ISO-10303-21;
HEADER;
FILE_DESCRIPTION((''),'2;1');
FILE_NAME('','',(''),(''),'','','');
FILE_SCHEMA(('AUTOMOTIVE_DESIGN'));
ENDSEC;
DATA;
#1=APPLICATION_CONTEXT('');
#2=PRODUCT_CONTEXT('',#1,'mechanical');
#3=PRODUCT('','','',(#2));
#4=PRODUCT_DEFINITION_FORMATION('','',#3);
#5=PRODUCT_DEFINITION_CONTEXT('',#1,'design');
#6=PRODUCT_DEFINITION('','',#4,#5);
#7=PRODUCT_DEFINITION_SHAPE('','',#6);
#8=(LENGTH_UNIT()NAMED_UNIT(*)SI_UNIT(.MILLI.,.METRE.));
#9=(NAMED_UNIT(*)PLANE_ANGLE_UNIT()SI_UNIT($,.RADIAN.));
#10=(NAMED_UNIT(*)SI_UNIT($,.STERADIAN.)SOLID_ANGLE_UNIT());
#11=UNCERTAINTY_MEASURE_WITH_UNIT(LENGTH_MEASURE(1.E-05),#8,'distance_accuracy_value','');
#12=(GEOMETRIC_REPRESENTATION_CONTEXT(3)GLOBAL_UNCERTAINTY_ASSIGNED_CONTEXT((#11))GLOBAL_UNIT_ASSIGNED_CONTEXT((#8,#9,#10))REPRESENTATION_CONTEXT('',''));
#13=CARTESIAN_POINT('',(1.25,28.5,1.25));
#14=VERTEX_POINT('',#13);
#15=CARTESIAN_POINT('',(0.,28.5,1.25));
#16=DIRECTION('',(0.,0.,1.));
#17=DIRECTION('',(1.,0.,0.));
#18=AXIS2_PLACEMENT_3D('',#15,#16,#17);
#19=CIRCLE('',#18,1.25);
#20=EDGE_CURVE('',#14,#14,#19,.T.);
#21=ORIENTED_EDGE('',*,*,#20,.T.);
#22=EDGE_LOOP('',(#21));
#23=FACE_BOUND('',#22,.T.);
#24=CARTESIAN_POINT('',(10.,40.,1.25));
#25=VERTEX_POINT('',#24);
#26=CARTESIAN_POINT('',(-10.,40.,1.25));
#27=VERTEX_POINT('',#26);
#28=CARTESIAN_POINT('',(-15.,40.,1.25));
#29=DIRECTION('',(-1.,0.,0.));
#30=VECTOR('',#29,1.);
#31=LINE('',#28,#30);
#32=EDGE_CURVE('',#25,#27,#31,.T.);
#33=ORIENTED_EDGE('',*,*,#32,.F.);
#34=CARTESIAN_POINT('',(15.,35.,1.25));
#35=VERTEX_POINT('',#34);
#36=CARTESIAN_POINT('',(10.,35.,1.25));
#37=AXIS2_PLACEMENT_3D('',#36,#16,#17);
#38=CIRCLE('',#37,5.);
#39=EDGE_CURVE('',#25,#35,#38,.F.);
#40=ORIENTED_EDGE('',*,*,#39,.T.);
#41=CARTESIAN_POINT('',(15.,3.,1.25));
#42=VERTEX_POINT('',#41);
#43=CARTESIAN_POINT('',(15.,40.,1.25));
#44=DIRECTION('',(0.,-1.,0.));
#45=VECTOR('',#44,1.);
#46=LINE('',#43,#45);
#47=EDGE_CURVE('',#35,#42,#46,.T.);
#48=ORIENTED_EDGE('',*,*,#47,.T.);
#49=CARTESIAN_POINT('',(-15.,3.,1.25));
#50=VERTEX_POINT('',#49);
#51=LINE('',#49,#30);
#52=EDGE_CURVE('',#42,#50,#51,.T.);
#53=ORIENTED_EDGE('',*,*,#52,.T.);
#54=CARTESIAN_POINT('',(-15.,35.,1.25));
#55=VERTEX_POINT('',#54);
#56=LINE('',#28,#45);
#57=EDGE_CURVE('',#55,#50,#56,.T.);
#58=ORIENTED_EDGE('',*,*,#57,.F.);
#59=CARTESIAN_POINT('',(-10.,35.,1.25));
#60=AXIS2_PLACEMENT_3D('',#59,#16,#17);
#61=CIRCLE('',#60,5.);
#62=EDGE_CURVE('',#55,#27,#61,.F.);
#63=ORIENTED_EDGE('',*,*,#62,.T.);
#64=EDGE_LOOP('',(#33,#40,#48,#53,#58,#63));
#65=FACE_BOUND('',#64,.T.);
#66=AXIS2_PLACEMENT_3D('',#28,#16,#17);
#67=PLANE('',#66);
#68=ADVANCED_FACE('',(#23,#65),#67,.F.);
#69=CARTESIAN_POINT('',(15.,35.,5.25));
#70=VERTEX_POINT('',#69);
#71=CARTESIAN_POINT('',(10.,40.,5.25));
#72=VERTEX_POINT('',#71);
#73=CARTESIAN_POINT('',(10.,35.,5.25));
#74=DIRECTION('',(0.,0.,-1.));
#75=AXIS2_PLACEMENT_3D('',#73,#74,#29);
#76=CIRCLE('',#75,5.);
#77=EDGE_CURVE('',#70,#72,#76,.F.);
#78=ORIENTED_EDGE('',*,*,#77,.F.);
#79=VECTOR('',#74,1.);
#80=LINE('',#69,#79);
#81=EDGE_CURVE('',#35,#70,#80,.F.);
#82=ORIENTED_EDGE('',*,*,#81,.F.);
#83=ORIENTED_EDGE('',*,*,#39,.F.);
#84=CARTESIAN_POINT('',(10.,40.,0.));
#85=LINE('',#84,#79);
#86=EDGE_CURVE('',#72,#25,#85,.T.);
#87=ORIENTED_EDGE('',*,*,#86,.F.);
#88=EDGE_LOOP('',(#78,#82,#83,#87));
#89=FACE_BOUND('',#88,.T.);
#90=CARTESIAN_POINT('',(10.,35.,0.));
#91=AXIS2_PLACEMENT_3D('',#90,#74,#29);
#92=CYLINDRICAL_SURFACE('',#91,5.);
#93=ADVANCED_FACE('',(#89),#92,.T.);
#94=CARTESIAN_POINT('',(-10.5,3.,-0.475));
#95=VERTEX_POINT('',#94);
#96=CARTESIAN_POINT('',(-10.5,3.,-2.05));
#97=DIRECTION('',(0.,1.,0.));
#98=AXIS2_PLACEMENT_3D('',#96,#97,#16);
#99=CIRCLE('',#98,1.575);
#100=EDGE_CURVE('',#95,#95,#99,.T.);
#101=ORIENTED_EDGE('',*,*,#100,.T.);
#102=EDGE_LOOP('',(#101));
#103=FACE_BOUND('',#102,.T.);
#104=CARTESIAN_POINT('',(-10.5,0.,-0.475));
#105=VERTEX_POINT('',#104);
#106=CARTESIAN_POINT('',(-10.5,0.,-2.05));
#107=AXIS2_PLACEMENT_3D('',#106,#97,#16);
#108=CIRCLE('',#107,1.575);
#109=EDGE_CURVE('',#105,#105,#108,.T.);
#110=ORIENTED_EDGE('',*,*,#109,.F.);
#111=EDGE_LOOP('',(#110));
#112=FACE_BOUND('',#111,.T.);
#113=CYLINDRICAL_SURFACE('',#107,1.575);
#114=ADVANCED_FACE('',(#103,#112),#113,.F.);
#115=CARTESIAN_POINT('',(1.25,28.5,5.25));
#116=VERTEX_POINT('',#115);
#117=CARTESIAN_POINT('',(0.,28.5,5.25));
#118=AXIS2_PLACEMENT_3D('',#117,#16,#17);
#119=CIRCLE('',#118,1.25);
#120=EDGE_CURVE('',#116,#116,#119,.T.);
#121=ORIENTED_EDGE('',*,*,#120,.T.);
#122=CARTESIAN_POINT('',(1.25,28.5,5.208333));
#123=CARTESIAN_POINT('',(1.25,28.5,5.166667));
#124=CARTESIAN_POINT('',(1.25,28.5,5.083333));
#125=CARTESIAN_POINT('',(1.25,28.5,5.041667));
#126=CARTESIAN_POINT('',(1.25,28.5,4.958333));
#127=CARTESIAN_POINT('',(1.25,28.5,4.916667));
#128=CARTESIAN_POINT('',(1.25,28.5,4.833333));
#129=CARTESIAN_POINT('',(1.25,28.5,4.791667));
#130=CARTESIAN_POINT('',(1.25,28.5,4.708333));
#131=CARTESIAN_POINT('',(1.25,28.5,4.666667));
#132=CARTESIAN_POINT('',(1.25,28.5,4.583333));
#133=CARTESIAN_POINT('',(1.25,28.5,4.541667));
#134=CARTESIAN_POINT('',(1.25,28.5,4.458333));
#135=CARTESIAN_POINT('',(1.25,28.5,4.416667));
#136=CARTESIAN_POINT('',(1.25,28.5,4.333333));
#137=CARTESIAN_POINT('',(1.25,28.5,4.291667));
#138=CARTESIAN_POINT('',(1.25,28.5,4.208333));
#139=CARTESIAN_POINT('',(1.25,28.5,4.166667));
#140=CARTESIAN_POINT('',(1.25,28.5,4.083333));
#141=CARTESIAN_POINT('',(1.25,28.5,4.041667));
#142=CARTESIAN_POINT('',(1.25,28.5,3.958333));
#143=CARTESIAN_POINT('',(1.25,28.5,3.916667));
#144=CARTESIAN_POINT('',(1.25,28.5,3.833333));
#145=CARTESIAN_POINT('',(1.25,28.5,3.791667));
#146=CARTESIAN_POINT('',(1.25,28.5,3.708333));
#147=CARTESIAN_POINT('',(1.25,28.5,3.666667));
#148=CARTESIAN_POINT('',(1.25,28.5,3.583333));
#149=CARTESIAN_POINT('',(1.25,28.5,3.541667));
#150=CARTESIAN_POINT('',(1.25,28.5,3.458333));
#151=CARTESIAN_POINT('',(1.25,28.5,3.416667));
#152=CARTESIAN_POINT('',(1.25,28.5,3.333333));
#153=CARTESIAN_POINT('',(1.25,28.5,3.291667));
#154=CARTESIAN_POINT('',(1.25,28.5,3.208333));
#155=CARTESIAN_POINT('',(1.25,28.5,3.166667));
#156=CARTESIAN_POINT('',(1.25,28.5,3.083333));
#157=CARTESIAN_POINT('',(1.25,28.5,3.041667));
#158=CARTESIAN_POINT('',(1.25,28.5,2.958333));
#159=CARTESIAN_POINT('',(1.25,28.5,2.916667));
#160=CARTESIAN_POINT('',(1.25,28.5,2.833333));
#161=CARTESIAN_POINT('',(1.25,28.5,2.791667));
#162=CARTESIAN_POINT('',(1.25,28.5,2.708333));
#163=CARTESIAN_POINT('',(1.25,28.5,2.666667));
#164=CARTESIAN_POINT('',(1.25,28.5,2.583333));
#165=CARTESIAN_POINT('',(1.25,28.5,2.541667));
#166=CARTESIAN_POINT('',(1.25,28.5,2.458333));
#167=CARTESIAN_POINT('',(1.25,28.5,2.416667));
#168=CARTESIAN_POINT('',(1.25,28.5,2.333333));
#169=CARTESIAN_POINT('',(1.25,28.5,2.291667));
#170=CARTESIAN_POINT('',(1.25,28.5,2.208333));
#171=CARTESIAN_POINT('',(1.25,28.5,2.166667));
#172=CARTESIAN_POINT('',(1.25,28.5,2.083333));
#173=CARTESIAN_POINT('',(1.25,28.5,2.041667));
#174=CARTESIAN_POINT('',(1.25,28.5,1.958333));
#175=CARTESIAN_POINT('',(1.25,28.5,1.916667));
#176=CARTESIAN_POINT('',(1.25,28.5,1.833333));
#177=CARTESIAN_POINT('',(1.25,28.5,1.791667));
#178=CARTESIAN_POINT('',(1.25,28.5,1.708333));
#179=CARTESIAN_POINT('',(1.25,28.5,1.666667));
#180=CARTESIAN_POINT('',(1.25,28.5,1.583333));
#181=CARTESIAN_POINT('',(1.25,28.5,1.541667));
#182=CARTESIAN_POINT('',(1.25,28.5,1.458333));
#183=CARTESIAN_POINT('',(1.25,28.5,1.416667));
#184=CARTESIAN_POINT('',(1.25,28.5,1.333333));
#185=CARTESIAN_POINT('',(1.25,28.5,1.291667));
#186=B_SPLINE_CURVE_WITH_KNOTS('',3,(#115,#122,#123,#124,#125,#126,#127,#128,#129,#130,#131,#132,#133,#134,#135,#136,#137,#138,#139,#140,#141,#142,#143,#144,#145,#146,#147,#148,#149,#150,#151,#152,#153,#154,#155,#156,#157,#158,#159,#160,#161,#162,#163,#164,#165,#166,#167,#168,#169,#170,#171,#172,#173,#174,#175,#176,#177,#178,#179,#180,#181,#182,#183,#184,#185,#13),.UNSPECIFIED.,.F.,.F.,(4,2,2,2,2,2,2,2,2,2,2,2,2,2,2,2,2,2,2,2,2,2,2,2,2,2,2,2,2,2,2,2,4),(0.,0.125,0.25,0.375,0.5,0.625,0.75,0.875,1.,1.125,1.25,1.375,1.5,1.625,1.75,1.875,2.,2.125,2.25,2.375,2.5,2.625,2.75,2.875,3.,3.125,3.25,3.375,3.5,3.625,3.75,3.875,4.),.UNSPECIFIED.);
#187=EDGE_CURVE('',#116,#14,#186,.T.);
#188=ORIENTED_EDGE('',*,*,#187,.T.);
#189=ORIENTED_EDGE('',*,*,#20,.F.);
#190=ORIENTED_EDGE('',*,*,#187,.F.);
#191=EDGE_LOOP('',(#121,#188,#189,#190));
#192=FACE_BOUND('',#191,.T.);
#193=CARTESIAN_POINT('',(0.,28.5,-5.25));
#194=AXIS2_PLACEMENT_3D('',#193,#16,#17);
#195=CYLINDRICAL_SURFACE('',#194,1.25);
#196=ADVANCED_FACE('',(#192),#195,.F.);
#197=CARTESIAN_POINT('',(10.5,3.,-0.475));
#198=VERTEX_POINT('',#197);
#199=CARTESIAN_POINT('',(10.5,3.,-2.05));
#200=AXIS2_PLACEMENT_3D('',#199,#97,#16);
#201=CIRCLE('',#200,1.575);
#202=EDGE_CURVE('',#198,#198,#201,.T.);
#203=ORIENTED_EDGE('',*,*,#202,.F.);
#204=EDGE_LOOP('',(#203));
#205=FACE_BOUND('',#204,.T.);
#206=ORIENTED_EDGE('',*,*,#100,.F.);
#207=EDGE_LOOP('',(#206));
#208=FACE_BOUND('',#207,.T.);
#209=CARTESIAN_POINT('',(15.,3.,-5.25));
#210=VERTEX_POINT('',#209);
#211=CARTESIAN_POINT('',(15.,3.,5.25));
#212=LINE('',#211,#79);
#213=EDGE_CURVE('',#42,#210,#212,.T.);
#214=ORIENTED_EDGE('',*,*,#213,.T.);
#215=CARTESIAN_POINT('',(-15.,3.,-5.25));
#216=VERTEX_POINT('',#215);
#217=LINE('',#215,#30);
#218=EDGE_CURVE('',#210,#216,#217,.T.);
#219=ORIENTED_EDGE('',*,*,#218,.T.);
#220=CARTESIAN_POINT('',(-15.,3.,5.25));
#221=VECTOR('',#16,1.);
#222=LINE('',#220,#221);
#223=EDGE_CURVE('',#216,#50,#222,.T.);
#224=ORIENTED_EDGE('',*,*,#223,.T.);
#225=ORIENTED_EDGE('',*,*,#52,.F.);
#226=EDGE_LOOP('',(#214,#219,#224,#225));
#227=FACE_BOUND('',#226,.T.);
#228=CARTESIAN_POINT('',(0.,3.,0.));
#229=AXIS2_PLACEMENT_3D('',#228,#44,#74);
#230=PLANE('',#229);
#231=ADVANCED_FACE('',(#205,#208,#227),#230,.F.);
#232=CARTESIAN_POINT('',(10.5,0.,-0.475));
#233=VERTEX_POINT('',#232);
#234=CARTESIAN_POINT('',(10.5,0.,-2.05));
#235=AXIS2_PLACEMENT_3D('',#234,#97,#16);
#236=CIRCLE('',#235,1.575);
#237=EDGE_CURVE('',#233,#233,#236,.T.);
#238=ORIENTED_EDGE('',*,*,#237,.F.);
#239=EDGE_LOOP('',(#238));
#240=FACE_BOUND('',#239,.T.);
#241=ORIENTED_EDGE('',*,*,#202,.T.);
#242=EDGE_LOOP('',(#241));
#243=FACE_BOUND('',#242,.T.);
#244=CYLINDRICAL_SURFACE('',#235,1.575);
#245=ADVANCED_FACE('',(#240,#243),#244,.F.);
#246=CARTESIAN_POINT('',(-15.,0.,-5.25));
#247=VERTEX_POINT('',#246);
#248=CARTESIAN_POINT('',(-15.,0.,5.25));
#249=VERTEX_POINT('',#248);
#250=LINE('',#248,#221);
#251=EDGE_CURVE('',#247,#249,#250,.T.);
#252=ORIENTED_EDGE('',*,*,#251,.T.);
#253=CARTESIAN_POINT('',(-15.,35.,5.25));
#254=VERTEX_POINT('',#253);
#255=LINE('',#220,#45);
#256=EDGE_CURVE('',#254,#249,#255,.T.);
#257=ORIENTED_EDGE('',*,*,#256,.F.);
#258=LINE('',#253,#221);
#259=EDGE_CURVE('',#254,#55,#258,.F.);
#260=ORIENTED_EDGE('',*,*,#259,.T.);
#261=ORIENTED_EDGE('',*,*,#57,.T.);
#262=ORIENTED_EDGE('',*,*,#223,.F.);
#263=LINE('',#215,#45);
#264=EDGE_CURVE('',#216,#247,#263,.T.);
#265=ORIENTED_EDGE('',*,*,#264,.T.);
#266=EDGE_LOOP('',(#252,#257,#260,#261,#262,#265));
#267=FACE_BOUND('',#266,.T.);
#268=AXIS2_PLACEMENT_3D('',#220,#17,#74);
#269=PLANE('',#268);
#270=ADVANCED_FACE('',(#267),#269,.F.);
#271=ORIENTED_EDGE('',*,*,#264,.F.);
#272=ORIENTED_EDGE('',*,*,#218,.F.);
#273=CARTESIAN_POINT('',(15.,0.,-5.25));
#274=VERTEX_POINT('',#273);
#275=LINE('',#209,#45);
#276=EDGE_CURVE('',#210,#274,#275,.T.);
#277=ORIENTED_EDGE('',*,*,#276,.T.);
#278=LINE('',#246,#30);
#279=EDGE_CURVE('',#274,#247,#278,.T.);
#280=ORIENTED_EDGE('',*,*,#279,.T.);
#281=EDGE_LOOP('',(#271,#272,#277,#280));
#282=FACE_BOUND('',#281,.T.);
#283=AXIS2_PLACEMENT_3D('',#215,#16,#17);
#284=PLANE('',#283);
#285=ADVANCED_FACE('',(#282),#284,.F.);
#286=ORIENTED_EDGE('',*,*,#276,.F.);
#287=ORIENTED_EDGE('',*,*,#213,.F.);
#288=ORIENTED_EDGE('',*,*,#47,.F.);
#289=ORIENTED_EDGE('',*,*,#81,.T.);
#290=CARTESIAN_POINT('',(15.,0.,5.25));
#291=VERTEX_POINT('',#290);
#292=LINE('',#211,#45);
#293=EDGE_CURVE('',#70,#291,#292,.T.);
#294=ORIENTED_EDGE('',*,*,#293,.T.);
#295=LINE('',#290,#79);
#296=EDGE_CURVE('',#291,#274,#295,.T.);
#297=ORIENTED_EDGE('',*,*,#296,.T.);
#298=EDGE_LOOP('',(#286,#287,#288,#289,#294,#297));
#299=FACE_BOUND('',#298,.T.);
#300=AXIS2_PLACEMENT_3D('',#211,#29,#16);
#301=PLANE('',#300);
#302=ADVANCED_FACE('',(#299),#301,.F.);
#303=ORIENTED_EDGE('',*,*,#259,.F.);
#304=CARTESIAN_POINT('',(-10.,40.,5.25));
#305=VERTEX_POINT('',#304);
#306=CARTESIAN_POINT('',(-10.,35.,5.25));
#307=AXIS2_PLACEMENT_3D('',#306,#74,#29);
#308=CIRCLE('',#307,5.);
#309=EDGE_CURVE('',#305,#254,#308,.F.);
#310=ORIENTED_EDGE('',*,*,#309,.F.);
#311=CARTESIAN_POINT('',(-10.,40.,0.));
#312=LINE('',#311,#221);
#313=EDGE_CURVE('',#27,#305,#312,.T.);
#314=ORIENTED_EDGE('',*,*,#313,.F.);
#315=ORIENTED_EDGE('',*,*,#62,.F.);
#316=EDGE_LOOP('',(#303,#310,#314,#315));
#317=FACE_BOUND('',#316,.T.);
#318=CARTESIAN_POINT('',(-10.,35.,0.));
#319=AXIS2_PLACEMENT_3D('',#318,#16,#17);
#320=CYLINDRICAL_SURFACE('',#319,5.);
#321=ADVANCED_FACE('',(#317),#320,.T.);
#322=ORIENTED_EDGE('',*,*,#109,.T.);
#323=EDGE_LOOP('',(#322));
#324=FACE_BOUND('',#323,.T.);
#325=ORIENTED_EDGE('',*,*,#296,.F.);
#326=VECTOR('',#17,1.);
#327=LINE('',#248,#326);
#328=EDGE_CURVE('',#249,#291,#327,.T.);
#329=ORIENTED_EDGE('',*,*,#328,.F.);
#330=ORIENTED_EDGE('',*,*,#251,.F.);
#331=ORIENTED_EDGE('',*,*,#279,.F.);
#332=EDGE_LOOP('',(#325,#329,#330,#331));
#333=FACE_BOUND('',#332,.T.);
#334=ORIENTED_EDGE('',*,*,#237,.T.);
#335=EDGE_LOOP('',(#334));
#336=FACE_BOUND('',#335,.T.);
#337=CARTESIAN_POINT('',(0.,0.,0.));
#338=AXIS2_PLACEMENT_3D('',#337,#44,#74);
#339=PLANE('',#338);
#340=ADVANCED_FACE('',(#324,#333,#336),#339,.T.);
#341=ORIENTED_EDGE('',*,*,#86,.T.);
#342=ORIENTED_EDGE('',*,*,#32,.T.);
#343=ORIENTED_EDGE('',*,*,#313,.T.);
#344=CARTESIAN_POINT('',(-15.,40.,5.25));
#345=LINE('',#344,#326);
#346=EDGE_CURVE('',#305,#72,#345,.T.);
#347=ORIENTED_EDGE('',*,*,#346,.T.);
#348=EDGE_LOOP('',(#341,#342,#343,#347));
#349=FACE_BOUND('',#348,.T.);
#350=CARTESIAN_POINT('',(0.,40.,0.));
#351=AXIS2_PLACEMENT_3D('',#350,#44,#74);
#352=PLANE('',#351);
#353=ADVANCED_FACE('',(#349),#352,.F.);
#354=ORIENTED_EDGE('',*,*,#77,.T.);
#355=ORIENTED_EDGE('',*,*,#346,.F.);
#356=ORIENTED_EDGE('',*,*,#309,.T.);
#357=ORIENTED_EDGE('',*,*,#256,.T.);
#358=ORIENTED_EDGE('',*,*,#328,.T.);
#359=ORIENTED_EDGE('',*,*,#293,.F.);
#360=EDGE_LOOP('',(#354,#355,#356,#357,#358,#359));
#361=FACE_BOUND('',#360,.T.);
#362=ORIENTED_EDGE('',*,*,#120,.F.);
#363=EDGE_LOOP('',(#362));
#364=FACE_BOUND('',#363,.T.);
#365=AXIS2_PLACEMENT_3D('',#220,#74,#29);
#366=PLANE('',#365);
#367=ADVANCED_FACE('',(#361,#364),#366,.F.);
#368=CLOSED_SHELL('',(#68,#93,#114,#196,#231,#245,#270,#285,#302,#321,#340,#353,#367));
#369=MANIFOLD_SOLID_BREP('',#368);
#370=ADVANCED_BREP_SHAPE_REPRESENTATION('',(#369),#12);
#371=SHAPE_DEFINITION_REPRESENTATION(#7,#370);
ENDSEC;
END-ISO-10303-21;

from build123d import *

# Parameters (mm, degrees)
SKETCH1_W           = 30
SKETCH1_H           = 10.5
BOSS_EXTRUDE1_DEPTH = 3
SKETCH2_W           = 30
SKETCH2_H           = 4
BOSS_EXTRUDE2_DEPTH = 37
SKETCH3_R           = 1.575
CUT_EXTRUDE1_DEPTH  = 41.268629229
SKETCH4_R           = 1.575
CUT_EXTRUDE2_DEPTH  = 41.268629229
FILLET1_R           = 5
SKETCH5_R           = 1.25
CUT_EXTRUDE3_DEPTH  = 44.991476447


with BuildPart() as part:
    # Sketch1 → Boss-Extrude1 (new body)
    with BuildSketch(Plane(origin=(0, 0, 0), x_dir=(1, 0, 0), z_dir=(0, 1, 0))):
        Rectangle(SKETCH1_W, SKETCH1_H)
    extrude(amount=BOSS_EXTRUDE1_DEPTH)

    # Sketch2 → Boss-Extrude2 (add)
    with BuildSketch(Plane(origin=(0, 3, 0), x_dir=(1, 0, 0), z_dir=(0, 1, 0))):
        with Locations((0, -3.25)):
            Rectangle(SKETCH2_W, SKETCH2_H)
    extrude(amount=BOSS_EXTRUDE2_DEPTH)

    # Sketch3 → Cut-Extrude1 (cut, through all)
    with BuildSketch(Plane(origin=(0, 3, 0), x_dir=(1, 0, 0), z_dir=(0, 1, 0))):
        with Locations(Location((-10.5, 2.05, 0), (0, 0, 270))):
            Circle(SKETCH3_R)
    extrude(amount=-CUT_EXTRUDE1_DEPTH, mode=Mode.SUBTRACT)

    # Sketch4 → Cut-Extrude2 (cut, through all)
    with BuildSketch(Plane(origin=(0, 3, 0), x_dir=(1, 0, 0), z_dir=(0, 1, 0))):
        with Locations(Location((10.5, 2.05, 0), (0, 0, 270))):
            Circle(SKETCH4_R)
    extrude(amount=-CUT_EXTRUDE2_DEPTH, mode=Mode.SUBTRACT)

    # Fillet1
    fillet1_edges = [part.edges().sort_by_distance(p)[0] for p in [
        (-15, 40, 3.25),
        (15, 40, 3.25),
    ]]
    fillet(fillet1_edges, radius=FILLET1_R)

    # Sketch5 → Cut-Extrude3 (cut, through all)
    with BuildSketch(Plane.XY.offset(5.25)):
        with Locations((0, 28.5)):
            Circle(SKETCH5_R)
    extrude(amount=-CUT_EXTRUDE3_DEPTH, mode=Mode.SUBTRACT)


solid = part.part
